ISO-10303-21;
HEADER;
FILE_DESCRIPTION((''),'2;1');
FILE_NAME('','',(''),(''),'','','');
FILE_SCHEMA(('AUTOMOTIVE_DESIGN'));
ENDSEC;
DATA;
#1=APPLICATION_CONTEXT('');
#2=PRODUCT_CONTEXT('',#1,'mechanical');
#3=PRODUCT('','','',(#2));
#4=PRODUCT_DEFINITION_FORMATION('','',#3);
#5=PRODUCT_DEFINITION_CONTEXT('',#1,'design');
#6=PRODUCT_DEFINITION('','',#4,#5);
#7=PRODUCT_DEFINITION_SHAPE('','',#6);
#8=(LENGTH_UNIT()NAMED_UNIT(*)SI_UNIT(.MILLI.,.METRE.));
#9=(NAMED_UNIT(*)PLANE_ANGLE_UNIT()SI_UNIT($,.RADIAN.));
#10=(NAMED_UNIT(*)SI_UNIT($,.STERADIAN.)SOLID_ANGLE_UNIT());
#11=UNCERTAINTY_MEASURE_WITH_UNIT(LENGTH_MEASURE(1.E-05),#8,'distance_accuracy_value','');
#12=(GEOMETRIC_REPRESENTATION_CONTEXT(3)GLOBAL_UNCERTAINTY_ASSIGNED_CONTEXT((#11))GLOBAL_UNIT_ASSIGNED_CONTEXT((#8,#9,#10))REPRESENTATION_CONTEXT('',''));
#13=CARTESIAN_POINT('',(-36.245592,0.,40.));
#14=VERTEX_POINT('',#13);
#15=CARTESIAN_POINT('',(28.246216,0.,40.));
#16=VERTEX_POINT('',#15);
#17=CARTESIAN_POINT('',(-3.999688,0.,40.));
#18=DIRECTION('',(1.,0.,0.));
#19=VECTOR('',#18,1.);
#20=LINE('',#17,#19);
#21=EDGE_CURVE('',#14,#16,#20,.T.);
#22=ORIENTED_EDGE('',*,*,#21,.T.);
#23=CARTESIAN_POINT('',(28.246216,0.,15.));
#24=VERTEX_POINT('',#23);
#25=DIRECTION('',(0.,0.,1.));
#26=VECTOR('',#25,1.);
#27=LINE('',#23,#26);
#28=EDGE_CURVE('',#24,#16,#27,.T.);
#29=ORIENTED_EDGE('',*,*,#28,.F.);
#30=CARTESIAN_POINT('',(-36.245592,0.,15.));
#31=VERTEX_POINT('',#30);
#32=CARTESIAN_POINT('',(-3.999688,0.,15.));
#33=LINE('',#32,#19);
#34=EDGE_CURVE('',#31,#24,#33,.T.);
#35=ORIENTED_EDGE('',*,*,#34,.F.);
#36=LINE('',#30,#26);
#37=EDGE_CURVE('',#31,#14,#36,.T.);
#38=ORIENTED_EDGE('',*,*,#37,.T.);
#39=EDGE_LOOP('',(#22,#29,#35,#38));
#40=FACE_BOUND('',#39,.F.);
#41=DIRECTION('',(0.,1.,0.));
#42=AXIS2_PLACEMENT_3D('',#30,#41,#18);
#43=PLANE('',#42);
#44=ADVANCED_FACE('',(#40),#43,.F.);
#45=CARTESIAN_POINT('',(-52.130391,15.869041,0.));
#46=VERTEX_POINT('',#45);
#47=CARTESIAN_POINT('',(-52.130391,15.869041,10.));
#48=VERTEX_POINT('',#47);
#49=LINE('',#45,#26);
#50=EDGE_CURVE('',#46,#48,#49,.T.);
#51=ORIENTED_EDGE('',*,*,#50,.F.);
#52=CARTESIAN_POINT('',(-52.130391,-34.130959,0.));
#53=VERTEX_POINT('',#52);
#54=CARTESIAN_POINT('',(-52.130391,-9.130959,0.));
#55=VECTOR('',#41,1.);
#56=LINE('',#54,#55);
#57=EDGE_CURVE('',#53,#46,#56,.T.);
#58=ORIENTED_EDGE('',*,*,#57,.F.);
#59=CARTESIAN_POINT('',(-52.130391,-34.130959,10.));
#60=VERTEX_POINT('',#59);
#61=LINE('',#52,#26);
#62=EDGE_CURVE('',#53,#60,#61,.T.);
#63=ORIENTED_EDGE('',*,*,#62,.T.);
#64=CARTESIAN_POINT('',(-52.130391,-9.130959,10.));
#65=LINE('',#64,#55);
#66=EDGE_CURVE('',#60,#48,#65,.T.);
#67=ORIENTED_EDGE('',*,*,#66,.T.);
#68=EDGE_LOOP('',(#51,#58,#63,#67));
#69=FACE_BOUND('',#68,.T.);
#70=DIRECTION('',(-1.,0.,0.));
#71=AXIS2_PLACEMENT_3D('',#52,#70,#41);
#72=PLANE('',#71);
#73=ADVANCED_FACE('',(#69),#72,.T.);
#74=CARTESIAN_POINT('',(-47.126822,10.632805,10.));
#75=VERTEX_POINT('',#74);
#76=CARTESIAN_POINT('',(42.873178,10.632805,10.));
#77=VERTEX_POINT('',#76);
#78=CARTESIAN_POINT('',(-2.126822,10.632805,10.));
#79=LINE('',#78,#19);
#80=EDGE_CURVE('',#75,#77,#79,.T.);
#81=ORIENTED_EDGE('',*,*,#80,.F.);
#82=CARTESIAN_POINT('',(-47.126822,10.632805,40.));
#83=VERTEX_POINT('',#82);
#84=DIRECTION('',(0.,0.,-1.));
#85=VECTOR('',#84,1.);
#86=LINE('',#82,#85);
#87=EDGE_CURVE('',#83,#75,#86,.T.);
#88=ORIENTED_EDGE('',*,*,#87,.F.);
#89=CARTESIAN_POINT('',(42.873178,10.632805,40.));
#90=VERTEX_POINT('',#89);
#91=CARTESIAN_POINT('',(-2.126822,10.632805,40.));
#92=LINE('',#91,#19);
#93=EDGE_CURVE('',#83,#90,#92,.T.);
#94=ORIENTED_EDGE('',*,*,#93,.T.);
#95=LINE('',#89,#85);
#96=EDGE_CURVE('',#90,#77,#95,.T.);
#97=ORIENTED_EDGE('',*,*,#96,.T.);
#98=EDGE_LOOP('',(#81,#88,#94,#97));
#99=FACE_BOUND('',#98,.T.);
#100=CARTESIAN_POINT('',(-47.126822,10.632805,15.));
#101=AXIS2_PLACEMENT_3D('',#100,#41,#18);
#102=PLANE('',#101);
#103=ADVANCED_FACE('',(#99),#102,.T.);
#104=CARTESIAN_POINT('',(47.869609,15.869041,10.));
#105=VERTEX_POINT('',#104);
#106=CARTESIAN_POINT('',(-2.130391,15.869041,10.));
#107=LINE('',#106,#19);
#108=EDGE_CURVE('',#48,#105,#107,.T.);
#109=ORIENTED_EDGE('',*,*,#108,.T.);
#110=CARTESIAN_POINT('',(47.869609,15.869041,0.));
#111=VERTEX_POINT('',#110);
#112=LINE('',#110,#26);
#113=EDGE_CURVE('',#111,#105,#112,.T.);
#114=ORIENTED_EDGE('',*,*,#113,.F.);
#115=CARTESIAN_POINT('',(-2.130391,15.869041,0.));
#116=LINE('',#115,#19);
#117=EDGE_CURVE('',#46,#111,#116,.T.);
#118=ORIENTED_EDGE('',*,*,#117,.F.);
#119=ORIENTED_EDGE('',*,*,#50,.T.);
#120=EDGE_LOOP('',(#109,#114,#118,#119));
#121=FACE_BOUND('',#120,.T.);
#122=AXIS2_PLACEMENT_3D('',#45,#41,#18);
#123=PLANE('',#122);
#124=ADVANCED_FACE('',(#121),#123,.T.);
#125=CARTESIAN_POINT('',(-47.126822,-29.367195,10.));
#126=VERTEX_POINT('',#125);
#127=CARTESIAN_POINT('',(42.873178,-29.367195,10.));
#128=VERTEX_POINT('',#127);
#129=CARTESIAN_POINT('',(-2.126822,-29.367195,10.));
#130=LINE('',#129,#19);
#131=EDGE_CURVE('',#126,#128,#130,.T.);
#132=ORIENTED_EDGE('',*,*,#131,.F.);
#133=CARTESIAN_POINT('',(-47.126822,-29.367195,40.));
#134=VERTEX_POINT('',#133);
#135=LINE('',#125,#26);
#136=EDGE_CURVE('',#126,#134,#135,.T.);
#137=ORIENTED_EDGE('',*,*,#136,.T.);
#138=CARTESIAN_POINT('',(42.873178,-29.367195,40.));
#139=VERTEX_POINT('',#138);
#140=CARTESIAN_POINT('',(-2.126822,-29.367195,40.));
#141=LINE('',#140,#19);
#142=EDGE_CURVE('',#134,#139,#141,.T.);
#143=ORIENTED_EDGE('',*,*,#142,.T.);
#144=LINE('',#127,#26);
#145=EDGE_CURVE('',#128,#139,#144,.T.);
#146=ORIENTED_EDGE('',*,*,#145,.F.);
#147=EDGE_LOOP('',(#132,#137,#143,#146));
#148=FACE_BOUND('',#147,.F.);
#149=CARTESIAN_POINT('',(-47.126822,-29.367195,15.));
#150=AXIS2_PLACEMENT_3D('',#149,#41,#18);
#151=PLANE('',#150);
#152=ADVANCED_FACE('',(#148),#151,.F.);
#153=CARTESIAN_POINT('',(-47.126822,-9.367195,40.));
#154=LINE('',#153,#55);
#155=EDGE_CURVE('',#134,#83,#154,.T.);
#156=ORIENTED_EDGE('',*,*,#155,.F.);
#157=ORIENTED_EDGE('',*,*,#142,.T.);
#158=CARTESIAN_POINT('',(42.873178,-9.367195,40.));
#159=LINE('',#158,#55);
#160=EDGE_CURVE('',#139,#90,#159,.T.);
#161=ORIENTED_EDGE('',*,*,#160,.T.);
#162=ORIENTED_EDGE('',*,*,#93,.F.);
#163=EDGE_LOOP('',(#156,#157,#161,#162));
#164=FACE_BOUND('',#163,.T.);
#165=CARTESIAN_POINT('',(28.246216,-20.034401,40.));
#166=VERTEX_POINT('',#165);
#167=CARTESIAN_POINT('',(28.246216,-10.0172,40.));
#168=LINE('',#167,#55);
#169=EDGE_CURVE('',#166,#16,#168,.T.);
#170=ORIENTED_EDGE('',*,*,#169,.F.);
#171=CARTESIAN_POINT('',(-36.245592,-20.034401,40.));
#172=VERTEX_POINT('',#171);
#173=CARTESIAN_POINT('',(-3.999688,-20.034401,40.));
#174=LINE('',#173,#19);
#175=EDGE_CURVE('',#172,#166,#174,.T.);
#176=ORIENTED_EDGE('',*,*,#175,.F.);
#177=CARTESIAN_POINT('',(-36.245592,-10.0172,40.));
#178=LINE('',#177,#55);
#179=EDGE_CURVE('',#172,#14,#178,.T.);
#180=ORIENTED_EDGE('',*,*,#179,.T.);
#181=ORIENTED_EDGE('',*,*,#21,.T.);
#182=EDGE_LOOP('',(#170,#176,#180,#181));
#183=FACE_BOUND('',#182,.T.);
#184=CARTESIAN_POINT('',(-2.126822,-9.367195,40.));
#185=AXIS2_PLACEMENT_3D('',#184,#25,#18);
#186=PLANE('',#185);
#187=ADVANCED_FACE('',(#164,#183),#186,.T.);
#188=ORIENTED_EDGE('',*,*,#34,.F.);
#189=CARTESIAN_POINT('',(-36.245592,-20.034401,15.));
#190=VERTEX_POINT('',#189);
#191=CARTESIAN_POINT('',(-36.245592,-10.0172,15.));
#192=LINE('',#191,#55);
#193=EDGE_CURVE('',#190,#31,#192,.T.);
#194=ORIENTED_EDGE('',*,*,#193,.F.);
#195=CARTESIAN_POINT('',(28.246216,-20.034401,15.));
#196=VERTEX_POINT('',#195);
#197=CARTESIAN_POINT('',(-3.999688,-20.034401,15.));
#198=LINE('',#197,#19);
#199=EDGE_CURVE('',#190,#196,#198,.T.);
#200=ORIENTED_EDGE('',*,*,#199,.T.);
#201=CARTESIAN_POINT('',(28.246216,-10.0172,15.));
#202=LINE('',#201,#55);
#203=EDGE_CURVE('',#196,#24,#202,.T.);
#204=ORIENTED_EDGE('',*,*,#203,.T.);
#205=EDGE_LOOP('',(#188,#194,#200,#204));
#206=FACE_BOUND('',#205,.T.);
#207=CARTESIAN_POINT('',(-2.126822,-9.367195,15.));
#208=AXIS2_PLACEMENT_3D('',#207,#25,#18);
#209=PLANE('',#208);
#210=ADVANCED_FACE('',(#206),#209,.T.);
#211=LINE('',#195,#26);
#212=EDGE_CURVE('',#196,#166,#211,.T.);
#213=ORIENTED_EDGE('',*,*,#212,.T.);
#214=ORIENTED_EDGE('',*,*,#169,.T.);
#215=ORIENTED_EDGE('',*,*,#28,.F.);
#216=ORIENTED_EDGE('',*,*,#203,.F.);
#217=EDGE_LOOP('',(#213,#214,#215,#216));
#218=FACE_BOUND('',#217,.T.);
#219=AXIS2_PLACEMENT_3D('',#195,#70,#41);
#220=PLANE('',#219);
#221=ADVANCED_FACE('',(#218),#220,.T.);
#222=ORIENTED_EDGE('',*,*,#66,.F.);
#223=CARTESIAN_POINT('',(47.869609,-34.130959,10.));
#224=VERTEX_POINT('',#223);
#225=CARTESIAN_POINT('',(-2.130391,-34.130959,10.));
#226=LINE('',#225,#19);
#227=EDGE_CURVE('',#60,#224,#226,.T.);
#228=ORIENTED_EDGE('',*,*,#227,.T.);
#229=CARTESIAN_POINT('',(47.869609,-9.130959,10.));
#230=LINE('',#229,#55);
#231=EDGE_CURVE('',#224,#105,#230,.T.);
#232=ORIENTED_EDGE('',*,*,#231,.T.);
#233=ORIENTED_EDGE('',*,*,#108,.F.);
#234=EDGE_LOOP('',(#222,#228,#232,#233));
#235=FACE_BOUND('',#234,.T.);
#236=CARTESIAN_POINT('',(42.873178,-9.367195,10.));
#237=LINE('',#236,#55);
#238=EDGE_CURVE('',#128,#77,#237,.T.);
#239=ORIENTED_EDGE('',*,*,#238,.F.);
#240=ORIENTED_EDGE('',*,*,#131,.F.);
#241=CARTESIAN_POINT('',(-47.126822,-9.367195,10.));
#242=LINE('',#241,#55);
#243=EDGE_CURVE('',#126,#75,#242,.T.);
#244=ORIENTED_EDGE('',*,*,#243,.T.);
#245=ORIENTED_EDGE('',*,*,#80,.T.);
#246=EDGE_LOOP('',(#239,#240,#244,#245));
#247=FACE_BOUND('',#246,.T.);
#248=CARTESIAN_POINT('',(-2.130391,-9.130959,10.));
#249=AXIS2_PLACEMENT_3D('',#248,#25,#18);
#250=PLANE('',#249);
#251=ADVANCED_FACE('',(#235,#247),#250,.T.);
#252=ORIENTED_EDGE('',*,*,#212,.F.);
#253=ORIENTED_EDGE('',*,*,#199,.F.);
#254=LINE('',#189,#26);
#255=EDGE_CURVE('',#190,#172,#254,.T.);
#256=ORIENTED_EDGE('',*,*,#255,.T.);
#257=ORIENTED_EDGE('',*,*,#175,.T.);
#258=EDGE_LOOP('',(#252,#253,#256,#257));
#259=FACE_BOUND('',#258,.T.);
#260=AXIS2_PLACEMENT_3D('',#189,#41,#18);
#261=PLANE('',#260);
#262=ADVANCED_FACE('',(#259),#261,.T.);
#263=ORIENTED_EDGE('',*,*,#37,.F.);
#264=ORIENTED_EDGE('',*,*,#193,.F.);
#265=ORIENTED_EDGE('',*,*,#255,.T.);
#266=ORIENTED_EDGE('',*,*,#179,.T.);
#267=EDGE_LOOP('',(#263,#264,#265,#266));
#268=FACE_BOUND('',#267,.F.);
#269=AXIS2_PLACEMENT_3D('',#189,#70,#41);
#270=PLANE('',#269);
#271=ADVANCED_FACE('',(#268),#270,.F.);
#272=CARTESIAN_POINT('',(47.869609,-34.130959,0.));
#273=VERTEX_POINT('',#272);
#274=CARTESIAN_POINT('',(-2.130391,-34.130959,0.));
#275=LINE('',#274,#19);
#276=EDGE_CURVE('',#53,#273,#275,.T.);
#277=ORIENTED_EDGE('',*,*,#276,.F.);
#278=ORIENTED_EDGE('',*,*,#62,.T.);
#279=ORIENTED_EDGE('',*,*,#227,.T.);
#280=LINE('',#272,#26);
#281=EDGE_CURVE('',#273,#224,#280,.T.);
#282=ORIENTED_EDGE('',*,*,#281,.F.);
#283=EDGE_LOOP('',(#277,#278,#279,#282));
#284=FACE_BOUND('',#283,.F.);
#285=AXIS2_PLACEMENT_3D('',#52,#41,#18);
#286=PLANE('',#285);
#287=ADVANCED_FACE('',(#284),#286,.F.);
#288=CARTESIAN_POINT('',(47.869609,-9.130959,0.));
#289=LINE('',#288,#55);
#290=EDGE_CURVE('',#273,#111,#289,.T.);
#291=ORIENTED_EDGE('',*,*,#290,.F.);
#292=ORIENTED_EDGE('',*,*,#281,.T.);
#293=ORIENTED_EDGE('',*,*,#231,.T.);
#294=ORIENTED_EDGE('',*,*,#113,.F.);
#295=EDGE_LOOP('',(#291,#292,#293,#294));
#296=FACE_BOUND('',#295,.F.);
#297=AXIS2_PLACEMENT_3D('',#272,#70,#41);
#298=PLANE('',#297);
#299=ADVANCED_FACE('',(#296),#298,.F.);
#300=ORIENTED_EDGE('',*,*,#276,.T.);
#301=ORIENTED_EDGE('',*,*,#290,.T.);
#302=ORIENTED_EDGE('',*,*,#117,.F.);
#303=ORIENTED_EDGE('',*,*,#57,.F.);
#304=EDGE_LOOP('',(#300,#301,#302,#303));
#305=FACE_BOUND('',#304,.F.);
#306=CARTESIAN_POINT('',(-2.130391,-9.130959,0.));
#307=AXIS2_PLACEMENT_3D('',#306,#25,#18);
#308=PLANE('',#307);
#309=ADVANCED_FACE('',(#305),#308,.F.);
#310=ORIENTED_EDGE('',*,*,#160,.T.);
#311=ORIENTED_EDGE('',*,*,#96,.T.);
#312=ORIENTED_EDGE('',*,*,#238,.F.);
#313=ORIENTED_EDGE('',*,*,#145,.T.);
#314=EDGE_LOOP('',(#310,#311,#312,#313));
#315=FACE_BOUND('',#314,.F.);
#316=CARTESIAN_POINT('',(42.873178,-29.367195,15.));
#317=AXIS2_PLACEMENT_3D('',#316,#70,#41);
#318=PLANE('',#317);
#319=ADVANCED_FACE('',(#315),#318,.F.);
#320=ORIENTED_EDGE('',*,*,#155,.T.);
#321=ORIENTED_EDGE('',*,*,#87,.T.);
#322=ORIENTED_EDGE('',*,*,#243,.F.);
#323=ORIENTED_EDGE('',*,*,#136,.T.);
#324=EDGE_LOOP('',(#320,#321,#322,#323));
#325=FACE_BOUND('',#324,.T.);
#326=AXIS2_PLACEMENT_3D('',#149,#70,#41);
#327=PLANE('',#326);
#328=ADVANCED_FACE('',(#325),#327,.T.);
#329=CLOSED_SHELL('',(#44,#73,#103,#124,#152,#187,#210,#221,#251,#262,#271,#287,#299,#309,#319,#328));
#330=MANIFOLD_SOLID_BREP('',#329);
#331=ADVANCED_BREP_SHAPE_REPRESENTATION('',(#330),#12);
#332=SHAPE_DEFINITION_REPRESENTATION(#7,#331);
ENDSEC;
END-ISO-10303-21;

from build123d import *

# Parameters (mm, degrees)
F0_W     = 100
F0_H     = 50
F1_DEPTH = 10
F2_W     = 90
F2_H     = 40
F3_DEPTH = 5
F4_W     = 90
F4_H     = 40
F4_W_2   = 64.491807
F4_H_2   = 20.034401
F5_DEPTH = 25


with BuildPart() as f1:
    # F0 (on Top) → F1 (new body)
    with BuildSketch(Plane.XY):
        with Locations((-2.130391, -9.130959)):
            Rectangle(F0_W, F0_H)
    extrude(amount=F1_DEPTH)

    # F2 (on face) → F3 (join)
    with BuildSketch(Plane.XY.offset(10)):
        with Locations((-2.126822, -9.367195)):
            Rectangle(F2_W, F2_H)
    extrude(amount=F3_DEPTH)

    # F4 (on face) → F5 (join)
    with BuildSketch(Plane.XY.offset(15)):
        with Locations((-2.126822, -9.367195)):
            Rectangle(F4_W, F4_H)
        with Locations((-3.999688, -10.0172)):
            Rectangle(F4_W_2, F4_H_2, mode=Mode.SUBTRACT)
    extrude(amount=F5_DEPTH)


solid = f1.part
